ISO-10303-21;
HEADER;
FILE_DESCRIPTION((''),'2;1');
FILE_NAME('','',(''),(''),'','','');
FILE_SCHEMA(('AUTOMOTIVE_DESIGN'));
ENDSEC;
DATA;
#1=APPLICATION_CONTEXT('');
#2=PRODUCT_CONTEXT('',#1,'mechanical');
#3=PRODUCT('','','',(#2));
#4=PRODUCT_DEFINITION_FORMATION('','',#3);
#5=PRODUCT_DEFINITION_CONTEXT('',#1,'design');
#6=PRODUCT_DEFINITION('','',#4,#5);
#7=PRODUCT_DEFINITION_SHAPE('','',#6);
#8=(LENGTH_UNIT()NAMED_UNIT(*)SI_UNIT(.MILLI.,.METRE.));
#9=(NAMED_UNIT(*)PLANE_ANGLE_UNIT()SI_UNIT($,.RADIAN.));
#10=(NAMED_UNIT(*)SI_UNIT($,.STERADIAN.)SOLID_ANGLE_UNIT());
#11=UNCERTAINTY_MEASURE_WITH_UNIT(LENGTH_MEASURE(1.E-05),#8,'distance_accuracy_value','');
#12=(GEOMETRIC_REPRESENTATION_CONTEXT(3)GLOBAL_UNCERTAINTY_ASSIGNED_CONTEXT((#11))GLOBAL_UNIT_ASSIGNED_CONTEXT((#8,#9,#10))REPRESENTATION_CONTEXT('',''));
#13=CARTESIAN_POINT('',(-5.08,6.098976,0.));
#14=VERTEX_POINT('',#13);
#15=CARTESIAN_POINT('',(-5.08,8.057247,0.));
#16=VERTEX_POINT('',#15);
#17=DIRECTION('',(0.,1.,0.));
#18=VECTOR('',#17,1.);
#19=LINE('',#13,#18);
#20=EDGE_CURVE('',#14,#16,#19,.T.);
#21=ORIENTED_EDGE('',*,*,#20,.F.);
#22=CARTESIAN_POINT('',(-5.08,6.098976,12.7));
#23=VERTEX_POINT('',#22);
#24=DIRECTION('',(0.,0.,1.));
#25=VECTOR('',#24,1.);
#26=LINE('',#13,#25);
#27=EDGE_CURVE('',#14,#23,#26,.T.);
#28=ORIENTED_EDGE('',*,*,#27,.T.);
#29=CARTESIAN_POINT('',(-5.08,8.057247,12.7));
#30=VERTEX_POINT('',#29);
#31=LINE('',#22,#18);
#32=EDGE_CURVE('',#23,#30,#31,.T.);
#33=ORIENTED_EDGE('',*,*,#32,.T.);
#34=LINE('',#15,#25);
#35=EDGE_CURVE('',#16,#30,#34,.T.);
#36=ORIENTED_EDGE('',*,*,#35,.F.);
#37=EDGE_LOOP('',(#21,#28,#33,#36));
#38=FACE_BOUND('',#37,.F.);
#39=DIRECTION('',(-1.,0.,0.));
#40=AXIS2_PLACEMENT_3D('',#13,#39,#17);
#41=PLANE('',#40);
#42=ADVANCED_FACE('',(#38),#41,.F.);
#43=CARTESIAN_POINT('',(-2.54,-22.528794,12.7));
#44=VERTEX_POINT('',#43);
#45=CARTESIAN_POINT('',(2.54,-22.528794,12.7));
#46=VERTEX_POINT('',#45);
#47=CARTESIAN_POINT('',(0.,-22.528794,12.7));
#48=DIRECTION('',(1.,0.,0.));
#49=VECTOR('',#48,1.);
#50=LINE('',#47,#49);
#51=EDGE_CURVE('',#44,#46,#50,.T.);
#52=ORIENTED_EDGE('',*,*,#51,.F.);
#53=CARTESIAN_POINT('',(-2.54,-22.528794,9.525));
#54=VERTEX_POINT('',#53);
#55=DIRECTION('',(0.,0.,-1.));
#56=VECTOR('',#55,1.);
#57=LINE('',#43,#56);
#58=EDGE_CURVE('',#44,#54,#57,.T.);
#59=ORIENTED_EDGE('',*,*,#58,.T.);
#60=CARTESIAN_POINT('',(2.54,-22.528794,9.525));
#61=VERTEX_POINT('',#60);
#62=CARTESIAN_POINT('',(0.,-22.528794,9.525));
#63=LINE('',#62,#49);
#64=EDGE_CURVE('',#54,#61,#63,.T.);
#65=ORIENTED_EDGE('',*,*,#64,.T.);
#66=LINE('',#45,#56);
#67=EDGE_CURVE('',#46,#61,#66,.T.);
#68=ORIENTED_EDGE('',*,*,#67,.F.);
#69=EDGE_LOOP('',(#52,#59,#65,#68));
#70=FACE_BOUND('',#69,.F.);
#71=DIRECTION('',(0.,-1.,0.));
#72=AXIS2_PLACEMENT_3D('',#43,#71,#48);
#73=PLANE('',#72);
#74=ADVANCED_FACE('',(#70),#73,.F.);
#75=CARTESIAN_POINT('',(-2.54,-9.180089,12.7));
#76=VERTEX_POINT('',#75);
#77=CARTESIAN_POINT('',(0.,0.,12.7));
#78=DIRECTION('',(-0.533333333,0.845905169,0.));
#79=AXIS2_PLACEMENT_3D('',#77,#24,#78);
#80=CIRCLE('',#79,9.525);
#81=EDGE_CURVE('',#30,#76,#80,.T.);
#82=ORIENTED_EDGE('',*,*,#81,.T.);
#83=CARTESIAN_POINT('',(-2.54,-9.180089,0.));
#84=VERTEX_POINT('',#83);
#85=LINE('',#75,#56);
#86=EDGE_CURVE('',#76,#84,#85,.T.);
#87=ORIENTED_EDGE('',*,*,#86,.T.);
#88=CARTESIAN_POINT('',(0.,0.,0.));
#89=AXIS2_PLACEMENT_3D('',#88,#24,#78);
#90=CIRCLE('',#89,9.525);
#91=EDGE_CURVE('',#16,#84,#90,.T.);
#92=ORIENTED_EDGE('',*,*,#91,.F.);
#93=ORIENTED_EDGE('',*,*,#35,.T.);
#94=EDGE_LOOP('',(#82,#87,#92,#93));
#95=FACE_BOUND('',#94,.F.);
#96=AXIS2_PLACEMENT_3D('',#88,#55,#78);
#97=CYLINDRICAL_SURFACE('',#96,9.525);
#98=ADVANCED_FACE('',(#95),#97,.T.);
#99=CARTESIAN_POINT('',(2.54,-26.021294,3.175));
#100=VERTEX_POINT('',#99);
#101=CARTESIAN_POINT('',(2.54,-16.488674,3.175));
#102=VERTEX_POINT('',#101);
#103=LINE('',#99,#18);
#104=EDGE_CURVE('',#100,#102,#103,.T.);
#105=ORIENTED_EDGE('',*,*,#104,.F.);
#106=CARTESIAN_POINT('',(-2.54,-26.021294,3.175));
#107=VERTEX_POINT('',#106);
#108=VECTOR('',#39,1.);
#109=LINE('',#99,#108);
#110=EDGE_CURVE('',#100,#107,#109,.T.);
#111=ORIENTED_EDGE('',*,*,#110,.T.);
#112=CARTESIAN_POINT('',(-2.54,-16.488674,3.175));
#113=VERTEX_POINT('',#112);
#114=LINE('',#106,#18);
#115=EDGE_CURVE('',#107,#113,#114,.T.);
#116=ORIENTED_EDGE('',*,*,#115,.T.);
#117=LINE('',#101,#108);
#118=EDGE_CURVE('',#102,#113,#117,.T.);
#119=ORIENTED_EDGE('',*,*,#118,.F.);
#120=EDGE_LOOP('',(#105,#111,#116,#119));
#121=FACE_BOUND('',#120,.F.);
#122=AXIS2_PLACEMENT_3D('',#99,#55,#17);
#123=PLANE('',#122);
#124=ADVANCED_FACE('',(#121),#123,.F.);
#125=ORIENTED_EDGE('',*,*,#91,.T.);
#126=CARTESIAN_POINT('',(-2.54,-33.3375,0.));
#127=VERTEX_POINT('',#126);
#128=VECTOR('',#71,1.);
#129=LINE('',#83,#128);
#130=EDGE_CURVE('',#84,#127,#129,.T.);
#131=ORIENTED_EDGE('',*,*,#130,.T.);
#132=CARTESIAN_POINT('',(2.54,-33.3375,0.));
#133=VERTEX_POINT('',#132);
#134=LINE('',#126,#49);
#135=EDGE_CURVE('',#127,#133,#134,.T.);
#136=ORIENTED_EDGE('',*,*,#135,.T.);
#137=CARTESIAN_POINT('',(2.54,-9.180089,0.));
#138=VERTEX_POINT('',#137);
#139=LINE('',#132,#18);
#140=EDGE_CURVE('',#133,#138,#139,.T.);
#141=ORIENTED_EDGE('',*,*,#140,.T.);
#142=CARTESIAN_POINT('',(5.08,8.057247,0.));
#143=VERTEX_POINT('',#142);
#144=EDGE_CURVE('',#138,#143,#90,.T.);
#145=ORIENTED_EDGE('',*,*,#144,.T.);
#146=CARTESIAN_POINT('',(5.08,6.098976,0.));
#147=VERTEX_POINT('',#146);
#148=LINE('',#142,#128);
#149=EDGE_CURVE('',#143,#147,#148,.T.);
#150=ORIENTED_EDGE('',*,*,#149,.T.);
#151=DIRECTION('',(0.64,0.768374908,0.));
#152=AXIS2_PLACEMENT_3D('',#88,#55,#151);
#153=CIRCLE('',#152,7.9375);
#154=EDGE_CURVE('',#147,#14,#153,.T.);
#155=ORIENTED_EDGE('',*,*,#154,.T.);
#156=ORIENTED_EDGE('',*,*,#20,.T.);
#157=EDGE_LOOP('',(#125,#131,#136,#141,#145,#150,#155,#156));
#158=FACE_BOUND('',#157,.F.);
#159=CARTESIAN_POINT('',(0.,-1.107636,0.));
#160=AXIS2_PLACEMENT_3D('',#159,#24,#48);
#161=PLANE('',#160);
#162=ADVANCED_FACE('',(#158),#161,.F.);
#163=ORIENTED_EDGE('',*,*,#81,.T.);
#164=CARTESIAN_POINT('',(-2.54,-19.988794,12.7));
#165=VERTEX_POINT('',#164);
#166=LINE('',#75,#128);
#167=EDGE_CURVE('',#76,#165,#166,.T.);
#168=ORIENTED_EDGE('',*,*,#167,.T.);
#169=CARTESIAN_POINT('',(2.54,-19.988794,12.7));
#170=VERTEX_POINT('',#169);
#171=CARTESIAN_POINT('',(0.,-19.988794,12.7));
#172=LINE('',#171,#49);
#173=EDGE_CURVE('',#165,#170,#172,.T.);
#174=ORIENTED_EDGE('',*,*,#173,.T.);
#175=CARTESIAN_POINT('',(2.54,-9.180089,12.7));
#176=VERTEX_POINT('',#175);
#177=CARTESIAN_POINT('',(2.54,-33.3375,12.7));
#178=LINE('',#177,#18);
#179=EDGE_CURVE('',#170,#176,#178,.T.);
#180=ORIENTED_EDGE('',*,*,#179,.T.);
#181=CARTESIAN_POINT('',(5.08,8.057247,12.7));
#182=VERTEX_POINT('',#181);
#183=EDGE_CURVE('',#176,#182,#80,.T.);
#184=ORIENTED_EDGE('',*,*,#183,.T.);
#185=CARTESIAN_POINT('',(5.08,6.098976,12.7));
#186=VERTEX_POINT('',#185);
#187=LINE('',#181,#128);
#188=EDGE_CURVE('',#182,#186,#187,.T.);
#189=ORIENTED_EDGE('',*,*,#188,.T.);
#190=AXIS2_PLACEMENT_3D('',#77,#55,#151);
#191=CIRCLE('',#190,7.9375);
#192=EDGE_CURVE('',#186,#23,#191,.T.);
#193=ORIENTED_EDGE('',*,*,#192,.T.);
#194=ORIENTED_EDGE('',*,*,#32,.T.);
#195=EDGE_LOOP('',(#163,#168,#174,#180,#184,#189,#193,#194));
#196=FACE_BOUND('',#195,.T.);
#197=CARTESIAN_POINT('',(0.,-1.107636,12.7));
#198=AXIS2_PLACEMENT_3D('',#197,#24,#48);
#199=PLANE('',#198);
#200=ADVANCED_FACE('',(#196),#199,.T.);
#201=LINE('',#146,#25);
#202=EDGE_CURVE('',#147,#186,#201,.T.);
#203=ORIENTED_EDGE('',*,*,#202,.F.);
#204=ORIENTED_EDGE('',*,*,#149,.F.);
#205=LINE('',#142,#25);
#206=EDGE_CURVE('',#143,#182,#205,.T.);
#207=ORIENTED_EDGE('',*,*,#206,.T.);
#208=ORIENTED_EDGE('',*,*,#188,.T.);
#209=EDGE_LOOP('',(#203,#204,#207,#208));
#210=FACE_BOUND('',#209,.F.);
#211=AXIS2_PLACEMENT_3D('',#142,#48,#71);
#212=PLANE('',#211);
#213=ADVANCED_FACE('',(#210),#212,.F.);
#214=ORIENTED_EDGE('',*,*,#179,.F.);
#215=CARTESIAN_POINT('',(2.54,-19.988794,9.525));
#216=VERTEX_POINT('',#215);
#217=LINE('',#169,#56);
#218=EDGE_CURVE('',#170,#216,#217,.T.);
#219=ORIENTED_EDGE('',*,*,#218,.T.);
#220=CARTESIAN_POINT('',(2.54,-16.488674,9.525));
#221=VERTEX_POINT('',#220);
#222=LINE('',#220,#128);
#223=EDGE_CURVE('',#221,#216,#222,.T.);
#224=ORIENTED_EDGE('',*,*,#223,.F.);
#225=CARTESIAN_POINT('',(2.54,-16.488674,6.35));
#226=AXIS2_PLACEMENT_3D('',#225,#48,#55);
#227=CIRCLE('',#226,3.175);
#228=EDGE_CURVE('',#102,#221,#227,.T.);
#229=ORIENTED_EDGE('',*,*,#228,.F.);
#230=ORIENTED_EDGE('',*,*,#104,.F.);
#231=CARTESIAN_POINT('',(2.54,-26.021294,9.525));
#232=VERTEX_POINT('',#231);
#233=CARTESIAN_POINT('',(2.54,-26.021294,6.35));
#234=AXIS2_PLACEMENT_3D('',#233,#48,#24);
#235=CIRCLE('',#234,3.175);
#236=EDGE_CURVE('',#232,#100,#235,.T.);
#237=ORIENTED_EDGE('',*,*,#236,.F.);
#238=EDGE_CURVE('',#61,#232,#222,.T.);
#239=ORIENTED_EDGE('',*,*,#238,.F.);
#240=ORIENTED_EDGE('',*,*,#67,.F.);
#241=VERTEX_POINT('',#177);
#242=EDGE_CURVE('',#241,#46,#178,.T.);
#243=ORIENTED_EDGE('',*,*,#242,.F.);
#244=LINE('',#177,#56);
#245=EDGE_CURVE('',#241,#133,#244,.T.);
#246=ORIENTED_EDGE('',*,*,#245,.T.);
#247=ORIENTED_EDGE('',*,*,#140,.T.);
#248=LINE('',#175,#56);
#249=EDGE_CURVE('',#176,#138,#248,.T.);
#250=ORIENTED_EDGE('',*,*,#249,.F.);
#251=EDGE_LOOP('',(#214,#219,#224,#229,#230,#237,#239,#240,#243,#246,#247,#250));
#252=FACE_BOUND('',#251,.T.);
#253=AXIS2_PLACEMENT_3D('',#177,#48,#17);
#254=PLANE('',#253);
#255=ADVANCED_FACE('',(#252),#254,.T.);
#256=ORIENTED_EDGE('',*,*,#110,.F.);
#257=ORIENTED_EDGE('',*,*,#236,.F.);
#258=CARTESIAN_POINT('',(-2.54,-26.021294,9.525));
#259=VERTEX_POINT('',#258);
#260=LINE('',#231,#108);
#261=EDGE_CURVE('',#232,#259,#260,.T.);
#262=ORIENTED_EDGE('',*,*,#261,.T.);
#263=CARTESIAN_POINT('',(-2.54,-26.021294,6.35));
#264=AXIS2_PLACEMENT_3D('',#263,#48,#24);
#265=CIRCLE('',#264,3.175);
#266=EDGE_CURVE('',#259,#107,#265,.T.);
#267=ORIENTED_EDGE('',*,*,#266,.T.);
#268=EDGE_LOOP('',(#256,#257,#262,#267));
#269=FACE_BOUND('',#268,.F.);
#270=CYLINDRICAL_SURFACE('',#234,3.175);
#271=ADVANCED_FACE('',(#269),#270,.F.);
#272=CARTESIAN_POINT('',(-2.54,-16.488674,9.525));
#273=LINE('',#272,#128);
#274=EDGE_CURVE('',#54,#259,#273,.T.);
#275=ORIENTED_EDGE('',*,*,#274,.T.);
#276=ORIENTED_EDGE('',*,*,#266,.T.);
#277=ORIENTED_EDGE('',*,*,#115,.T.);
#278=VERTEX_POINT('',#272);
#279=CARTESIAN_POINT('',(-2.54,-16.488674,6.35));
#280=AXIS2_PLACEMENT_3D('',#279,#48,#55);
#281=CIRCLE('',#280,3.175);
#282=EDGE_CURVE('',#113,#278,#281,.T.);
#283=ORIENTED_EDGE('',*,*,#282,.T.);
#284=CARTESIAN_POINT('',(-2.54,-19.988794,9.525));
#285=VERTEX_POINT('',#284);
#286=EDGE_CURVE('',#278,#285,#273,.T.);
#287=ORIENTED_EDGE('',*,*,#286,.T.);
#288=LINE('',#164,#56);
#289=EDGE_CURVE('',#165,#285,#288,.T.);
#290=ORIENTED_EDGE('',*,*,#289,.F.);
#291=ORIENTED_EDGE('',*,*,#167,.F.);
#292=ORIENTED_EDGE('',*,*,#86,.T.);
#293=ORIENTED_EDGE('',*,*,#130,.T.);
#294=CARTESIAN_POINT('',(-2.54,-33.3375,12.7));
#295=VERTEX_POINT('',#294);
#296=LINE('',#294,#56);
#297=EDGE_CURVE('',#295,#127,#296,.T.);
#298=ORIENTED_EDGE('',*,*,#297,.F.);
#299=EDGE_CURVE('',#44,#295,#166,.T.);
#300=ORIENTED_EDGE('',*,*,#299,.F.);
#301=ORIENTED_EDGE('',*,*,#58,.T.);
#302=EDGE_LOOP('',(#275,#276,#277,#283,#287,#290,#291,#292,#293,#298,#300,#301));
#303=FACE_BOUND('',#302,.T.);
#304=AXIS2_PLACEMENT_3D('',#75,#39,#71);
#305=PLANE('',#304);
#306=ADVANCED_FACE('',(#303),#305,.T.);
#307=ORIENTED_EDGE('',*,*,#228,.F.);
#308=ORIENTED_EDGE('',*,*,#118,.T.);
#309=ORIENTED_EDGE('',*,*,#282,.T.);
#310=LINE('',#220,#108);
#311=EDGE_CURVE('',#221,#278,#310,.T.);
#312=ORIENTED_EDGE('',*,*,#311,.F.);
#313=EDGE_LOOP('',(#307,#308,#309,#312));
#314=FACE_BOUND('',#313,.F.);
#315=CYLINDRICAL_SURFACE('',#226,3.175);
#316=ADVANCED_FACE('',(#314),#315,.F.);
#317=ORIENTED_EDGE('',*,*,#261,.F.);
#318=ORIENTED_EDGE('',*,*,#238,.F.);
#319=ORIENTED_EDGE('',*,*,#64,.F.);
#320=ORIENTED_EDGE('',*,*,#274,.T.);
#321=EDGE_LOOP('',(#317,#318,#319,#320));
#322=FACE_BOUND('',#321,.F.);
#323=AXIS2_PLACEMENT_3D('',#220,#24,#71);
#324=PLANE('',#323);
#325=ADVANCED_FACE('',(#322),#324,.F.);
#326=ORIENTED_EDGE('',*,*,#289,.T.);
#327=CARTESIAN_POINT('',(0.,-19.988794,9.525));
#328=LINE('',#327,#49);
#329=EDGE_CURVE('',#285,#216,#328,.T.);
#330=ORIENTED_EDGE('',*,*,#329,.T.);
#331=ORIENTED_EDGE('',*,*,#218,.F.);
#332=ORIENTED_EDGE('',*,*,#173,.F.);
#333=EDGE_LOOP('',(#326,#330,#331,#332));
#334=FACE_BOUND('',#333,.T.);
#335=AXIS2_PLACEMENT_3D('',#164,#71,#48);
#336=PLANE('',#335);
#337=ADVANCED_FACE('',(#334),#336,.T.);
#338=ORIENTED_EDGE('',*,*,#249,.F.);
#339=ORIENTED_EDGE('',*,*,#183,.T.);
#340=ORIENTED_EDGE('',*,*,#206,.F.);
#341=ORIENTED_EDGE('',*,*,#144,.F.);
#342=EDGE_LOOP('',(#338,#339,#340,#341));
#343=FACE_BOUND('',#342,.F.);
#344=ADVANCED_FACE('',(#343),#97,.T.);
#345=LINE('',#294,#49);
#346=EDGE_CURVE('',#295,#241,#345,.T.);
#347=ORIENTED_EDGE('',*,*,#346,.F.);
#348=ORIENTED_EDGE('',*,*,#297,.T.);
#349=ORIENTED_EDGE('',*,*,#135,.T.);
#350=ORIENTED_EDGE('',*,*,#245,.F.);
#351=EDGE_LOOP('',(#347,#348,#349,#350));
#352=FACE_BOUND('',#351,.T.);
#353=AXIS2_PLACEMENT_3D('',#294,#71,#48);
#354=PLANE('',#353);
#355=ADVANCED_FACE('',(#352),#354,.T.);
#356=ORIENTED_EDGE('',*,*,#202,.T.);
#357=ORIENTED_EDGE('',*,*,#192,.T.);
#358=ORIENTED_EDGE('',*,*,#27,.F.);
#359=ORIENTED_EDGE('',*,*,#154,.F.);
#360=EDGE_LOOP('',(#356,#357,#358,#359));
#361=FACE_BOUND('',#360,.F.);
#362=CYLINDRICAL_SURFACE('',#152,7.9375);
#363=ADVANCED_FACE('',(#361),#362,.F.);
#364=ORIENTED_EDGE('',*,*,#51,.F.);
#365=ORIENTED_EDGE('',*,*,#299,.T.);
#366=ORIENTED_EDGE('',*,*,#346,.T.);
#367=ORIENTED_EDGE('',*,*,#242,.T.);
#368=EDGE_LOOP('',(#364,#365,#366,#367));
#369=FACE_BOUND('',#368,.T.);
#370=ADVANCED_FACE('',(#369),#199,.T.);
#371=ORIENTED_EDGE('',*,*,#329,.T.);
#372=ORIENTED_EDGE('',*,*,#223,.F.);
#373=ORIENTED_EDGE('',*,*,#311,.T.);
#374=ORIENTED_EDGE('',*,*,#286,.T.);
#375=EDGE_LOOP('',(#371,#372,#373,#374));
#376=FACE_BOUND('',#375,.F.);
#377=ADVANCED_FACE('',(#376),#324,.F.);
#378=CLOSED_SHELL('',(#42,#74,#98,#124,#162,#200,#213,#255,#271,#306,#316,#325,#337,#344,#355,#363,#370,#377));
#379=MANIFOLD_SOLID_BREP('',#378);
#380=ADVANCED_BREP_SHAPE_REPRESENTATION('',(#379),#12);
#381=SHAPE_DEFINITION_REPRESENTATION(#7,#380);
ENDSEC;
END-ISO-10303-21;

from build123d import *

# Parameters (mm, degrees)
F1_DEPTH = 12.7
F3_DEPTH = 12.7
F5_DEPTH = 5.08
F6_W     = 5.08
F6_H     = 2.54
F7_DEPTH = 3.175


with BuildPart() as f1:
    # F0 (on Top) → F1 (new body)
    with BuildSketch(Plane.XY):
        with BuildLine():
            Line((-5.08, 6.0989758362), (-5.08, 8.0572467382))
            ThreePointArc((-5.08, 8.0572467382), (0, -9.525), (5.08, 8.0572467382))
            Line((5.08, 8.0572467382), (5.08, 6.0989758362))
            ThreePointArc((5.08, 6.0989758362), (0, -7.9375), (-5.08, 6.0989758362))
        make_face()
    extrude(amount=F1_DEPTH)

    # F2 (on face) → F3 (join, through all)
    with BuildSketch(Plane.XY.offset(12.7)):
        with BuildLine():
            ThreePointArc((2.54, -9.1800885072), (0, -9.525), (-2.54, -9.1800885072))
            Line((-2.54, -9.1800885072), (-2.54, -33.3375))
            Line((-2.54, -33.3375), (2.54, -33.3375))
            Line((2.54, -33.3375), (2.54, -9.1800885072))
        make_face()
    extrude(amount=-F3_DEPTH)

    # F4 (on face) → F5 (cut, through all)
    with BuildSketch(Plane.YZ.offset(2.54)):
        with BuildLine():
            Line((-16.4886742536, 9.525), (-26.0212942536, 9.525))
            ThreePointArc((-26.0212942536, 9.525), (-29.1962942536, 6.35), (-26.0212942536, 3.175))
            Line((-26.0212942536, 3.175), (-16.4886742536, 3.175))
            ThreePointArc((-16.4886742536, 3.175), (-13.3136742536, 6.35), (-16.4886742536, 9.525))
        make_face()
    extrude(amount=-F5_DEPTH, mode=Mode.SUBTRACT)

    # F6 (on face) → F7 (cut, through all)
    with BuildSketch(Plane.XY.offset(12.7)):
        with Locations((0, -21.2587942536)):
            Rectangle(F6_W, F6_H)
    extrude(amount=-F7_DEPTH, mode=Mode.SUBTRACT)


solid = f1.part
